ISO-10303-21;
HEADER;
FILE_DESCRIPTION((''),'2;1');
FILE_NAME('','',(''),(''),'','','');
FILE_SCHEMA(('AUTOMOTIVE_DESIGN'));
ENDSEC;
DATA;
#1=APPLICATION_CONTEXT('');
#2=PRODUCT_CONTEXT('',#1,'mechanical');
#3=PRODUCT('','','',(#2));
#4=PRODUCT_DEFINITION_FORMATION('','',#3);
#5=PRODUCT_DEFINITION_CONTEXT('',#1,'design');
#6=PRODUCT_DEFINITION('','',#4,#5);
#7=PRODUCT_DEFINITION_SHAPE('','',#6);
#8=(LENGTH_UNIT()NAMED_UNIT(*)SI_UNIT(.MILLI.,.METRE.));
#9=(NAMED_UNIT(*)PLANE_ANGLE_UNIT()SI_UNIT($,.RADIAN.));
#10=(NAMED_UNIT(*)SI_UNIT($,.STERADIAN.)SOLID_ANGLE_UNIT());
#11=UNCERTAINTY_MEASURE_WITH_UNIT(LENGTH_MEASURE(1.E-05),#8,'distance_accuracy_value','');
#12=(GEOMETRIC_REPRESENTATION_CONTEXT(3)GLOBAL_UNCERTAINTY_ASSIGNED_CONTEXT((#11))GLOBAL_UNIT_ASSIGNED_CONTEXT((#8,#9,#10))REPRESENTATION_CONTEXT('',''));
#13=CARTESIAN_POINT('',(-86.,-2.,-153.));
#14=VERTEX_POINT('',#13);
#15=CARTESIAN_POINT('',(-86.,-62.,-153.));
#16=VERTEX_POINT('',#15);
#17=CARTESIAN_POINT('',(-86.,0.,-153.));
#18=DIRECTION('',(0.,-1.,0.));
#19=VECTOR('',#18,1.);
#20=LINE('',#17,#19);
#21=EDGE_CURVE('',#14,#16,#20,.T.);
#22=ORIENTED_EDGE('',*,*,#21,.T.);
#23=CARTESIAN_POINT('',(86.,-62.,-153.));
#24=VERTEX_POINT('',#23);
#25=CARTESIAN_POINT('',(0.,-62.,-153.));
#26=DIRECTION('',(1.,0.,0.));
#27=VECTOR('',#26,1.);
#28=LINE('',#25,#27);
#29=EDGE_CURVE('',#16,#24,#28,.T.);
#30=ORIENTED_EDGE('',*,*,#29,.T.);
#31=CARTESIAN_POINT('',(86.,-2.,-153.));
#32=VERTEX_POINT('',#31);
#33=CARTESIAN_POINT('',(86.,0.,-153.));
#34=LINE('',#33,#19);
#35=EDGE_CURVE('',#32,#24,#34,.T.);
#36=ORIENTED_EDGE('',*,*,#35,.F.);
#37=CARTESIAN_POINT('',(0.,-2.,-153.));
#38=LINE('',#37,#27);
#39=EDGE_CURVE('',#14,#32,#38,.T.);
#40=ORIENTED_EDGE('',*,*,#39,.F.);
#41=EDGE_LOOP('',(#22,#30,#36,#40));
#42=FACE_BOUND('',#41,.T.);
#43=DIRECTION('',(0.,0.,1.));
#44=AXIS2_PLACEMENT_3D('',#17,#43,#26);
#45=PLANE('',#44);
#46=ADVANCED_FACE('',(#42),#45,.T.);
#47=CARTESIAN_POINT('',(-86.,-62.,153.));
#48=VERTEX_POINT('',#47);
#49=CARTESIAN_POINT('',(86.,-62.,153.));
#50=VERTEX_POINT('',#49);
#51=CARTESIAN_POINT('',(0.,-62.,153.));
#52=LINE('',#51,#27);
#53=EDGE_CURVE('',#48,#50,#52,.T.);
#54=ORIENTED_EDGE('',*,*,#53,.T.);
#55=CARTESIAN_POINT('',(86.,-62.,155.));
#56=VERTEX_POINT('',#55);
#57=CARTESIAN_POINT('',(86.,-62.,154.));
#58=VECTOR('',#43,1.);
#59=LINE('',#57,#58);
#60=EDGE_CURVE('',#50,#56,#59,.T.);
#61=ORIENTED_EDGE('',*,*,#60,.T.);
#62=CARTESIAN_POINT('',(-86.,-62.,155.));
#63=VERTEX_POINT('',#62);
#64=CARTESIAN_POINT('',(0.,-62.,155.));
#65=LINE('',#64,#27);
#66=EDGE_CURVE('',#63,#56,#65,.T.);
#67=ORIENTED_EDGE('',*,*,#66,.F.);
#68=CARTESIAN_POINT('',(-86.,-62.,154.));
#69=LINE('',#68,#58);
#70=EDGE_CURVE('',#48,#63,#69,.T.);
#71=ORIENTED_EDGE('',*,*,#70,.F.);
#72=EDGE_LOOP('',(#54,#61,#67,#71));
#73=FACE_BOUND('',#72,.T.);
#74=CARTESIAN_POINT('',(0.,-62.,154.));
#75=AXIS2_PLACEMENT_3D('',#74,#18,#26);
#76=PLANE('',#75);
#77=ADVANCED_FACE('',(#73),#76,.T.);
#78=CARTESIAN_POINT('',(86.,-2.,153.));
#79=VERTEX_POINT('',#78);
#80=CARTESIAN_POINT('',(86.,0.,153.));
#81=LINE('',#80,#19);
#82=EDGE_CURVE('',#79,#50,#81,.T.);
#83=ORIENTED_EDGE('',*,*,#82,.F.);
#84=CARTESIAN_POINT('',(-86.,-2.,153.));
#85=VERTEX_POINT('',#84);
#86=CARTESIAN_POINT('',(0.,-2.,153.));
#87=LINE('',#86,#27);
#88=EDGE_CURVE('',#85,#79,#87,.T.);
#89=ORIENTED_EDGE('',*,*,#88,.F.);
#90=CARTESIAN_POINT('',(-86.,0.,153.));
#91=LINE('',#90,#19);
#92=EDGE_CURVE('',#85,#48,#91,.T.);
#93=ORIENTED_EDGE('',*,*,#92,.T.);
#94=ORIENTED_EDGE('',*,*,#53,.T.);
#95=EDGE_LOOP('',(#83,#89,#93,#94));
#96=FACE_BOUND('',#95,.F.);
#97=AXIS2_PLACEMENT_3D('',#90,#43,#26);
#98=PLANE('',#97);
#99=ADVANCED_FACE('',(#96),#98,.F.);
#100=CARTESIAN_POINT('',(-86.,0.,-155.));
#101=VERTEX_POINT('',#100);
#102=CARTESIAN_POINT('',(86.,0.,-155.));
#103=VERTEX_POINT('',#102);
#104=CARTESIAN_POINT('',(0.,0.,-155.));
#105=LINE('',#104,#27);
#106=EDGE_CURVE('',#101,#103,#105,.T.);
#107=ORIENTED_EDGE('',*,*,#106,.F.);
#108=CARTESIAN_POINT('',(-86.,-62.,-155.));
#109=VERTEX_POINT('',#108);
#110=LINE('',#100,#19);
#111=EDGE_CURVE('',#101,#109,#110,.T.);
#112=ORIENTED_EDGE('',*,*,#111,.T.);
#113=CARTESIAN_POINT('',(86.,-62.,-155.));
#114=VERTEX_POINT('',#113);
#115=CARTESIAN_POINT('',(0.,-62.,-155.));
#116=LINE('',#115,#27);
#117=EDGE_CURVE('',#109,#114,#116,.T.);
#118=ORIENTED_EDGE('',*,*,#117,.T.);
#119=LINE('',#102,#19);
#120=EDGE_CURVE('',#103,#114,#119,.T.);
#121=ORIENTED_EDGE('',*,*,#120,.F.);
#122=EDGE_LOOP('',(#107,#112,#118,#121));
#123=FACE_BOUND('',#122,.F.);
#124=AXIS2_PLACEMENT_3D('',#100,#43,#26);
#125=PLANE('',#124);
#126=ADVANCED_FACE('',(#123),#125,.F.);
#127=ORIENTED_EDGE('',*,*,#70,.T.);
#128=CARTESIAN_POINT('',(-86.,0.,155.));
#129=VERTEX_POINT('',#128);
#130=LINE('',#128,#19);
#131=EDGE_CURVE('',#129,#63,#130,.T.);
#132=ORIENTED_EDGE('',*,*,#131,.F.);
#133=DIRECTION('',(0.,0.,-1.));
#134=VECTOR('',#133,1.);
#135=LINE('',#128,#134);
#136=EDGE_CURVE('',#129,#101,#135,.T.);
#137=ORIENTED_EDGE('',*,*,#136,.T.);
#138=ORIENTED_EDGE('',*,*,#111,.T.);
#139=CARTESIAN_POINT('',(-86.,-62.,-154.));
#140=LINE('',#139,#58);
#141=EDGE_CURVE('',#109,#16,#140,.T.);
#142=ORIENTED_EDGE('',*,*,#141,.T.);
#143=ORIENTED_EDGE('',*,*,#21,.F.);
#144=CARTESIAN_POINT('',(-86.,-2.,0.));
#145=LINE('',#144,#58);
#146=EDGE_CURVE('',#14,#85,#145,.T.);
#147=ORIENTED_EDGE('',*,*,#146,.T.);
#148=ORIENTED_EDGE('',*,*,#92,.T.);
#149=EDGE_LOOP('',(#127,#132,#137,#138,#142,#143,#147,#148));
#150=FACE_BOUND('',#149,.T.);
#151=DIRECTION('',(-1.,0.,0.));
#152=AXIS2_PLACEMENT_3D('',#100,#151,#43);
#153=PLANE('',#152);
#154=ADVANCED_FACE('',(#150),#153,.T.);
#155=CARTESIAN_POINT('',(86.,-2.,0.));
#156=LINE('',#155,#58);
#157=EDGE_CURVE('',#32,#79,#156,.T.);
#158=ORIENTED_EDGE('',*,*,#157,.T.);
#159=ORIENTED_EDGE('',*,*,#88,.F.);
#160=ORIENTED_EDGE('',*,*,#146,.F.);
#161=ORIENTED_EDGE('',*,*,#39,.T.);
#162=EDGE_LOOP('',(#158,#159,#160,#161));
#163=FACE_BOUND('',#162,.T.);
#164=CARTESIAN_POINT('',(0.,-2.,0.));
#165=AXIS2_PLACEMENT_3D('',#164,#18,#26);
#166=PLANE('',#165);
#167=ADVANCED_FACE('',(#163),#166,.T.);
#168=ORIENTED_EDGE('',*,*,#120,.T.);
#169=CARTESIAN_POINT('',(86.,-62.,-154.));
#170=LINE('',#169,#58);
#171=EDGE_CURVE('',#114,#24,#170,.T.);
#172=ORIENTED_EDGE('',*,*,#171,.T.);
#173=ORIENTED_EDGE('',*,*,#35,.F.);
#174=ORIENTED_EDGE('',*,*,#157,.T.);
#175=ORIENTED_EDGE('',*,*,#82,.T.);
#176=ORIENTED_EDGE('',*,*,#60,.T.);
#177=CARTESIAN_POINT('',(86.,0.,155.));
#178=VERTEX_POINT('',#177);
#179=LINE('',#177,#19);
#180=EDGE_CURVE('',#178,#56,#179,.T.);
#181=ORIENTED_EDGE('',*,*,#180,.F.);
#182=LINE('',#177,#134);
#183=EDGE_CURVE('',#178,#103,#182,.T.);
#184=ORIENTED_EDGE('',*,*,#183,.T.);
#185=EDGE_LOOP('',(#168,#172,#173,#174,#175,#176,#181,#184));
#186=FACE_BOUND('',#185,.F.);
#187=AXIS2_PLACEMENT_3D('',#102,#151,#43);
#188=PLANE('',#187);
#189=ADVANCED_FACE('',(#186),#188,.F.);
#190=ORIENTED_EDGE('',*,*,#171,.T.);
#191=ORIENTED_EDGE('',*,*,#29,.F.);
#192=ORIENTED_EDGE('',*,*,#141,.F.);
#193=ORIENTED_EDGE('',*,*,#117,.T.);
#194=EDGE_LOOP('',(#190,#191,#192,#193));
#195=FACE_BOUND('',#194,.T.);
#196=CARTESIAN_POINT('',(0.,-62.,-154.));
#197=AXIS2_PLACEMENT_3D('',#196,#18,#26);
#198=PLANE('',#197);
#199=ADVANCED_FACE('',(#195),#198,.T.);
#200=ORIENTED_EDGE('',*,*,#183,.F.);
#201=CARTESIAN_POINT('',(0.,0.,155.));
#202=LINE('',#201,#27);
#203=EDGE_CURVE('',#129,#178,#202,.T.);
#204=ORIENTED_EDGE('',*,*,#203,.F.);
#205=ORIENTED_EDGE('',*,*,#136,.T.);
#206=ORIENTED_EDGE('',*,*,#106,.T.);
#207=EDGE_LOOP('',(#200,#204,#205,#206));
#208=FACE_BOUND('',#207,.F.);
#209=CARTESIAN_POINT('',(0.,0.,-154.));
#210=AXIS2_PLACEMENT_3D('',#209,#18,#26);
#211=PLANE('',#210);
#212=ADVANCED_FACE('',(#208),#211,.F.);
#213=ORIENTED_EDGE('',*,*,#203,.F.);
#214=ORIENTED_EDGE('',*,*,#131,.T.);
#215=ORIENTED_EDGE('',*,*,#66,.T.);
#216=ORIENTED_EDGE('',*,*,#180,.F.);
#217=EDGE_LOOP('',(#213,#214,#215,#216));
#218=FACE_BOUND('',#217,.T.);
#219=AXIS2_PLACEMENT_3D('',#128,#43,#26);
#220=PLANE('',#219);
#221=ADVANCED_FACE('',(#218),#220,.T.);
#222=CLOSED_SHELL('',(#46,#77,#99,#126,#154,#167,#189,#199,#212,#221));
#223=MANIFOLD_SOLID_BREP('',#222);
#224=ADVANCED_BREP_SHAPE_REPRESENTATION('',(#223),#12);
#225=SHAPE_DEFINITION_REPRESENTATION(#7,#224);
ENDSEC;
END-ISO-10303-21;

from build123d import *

# Parameters (mm, degrees)
F0_W     = 172
F0_H     = 306
F1_DEPTH = 2
F0_H_2   = 2
F2_DEPTH = 62
F3_DEPTH = 62


with BuildPart() as f1:
    # F0 (on Front) → F1 (new body)
    with BuildSketch(Plane.XZ):
        Rectangle(F0_W, F0_H)
    extrude(amount=F1_DEPTH)

    # F0 (on Front) → F2 (join)
    with BuildSketch(Plane.XZ):
        with Locations((0, 154)):
            Rectangle(F0_W, F0_H_2)
    extrude(amount=F2_DEPTH)

    # F0 (on Front) → F3 (join)
    with BuildSketch(Plane.XZ):
        with Locations((0, -154)):
            Rectangle(F0_W, F0_H_2)
    extrude(amount=F3_DEPTH)


solid = f1.part
